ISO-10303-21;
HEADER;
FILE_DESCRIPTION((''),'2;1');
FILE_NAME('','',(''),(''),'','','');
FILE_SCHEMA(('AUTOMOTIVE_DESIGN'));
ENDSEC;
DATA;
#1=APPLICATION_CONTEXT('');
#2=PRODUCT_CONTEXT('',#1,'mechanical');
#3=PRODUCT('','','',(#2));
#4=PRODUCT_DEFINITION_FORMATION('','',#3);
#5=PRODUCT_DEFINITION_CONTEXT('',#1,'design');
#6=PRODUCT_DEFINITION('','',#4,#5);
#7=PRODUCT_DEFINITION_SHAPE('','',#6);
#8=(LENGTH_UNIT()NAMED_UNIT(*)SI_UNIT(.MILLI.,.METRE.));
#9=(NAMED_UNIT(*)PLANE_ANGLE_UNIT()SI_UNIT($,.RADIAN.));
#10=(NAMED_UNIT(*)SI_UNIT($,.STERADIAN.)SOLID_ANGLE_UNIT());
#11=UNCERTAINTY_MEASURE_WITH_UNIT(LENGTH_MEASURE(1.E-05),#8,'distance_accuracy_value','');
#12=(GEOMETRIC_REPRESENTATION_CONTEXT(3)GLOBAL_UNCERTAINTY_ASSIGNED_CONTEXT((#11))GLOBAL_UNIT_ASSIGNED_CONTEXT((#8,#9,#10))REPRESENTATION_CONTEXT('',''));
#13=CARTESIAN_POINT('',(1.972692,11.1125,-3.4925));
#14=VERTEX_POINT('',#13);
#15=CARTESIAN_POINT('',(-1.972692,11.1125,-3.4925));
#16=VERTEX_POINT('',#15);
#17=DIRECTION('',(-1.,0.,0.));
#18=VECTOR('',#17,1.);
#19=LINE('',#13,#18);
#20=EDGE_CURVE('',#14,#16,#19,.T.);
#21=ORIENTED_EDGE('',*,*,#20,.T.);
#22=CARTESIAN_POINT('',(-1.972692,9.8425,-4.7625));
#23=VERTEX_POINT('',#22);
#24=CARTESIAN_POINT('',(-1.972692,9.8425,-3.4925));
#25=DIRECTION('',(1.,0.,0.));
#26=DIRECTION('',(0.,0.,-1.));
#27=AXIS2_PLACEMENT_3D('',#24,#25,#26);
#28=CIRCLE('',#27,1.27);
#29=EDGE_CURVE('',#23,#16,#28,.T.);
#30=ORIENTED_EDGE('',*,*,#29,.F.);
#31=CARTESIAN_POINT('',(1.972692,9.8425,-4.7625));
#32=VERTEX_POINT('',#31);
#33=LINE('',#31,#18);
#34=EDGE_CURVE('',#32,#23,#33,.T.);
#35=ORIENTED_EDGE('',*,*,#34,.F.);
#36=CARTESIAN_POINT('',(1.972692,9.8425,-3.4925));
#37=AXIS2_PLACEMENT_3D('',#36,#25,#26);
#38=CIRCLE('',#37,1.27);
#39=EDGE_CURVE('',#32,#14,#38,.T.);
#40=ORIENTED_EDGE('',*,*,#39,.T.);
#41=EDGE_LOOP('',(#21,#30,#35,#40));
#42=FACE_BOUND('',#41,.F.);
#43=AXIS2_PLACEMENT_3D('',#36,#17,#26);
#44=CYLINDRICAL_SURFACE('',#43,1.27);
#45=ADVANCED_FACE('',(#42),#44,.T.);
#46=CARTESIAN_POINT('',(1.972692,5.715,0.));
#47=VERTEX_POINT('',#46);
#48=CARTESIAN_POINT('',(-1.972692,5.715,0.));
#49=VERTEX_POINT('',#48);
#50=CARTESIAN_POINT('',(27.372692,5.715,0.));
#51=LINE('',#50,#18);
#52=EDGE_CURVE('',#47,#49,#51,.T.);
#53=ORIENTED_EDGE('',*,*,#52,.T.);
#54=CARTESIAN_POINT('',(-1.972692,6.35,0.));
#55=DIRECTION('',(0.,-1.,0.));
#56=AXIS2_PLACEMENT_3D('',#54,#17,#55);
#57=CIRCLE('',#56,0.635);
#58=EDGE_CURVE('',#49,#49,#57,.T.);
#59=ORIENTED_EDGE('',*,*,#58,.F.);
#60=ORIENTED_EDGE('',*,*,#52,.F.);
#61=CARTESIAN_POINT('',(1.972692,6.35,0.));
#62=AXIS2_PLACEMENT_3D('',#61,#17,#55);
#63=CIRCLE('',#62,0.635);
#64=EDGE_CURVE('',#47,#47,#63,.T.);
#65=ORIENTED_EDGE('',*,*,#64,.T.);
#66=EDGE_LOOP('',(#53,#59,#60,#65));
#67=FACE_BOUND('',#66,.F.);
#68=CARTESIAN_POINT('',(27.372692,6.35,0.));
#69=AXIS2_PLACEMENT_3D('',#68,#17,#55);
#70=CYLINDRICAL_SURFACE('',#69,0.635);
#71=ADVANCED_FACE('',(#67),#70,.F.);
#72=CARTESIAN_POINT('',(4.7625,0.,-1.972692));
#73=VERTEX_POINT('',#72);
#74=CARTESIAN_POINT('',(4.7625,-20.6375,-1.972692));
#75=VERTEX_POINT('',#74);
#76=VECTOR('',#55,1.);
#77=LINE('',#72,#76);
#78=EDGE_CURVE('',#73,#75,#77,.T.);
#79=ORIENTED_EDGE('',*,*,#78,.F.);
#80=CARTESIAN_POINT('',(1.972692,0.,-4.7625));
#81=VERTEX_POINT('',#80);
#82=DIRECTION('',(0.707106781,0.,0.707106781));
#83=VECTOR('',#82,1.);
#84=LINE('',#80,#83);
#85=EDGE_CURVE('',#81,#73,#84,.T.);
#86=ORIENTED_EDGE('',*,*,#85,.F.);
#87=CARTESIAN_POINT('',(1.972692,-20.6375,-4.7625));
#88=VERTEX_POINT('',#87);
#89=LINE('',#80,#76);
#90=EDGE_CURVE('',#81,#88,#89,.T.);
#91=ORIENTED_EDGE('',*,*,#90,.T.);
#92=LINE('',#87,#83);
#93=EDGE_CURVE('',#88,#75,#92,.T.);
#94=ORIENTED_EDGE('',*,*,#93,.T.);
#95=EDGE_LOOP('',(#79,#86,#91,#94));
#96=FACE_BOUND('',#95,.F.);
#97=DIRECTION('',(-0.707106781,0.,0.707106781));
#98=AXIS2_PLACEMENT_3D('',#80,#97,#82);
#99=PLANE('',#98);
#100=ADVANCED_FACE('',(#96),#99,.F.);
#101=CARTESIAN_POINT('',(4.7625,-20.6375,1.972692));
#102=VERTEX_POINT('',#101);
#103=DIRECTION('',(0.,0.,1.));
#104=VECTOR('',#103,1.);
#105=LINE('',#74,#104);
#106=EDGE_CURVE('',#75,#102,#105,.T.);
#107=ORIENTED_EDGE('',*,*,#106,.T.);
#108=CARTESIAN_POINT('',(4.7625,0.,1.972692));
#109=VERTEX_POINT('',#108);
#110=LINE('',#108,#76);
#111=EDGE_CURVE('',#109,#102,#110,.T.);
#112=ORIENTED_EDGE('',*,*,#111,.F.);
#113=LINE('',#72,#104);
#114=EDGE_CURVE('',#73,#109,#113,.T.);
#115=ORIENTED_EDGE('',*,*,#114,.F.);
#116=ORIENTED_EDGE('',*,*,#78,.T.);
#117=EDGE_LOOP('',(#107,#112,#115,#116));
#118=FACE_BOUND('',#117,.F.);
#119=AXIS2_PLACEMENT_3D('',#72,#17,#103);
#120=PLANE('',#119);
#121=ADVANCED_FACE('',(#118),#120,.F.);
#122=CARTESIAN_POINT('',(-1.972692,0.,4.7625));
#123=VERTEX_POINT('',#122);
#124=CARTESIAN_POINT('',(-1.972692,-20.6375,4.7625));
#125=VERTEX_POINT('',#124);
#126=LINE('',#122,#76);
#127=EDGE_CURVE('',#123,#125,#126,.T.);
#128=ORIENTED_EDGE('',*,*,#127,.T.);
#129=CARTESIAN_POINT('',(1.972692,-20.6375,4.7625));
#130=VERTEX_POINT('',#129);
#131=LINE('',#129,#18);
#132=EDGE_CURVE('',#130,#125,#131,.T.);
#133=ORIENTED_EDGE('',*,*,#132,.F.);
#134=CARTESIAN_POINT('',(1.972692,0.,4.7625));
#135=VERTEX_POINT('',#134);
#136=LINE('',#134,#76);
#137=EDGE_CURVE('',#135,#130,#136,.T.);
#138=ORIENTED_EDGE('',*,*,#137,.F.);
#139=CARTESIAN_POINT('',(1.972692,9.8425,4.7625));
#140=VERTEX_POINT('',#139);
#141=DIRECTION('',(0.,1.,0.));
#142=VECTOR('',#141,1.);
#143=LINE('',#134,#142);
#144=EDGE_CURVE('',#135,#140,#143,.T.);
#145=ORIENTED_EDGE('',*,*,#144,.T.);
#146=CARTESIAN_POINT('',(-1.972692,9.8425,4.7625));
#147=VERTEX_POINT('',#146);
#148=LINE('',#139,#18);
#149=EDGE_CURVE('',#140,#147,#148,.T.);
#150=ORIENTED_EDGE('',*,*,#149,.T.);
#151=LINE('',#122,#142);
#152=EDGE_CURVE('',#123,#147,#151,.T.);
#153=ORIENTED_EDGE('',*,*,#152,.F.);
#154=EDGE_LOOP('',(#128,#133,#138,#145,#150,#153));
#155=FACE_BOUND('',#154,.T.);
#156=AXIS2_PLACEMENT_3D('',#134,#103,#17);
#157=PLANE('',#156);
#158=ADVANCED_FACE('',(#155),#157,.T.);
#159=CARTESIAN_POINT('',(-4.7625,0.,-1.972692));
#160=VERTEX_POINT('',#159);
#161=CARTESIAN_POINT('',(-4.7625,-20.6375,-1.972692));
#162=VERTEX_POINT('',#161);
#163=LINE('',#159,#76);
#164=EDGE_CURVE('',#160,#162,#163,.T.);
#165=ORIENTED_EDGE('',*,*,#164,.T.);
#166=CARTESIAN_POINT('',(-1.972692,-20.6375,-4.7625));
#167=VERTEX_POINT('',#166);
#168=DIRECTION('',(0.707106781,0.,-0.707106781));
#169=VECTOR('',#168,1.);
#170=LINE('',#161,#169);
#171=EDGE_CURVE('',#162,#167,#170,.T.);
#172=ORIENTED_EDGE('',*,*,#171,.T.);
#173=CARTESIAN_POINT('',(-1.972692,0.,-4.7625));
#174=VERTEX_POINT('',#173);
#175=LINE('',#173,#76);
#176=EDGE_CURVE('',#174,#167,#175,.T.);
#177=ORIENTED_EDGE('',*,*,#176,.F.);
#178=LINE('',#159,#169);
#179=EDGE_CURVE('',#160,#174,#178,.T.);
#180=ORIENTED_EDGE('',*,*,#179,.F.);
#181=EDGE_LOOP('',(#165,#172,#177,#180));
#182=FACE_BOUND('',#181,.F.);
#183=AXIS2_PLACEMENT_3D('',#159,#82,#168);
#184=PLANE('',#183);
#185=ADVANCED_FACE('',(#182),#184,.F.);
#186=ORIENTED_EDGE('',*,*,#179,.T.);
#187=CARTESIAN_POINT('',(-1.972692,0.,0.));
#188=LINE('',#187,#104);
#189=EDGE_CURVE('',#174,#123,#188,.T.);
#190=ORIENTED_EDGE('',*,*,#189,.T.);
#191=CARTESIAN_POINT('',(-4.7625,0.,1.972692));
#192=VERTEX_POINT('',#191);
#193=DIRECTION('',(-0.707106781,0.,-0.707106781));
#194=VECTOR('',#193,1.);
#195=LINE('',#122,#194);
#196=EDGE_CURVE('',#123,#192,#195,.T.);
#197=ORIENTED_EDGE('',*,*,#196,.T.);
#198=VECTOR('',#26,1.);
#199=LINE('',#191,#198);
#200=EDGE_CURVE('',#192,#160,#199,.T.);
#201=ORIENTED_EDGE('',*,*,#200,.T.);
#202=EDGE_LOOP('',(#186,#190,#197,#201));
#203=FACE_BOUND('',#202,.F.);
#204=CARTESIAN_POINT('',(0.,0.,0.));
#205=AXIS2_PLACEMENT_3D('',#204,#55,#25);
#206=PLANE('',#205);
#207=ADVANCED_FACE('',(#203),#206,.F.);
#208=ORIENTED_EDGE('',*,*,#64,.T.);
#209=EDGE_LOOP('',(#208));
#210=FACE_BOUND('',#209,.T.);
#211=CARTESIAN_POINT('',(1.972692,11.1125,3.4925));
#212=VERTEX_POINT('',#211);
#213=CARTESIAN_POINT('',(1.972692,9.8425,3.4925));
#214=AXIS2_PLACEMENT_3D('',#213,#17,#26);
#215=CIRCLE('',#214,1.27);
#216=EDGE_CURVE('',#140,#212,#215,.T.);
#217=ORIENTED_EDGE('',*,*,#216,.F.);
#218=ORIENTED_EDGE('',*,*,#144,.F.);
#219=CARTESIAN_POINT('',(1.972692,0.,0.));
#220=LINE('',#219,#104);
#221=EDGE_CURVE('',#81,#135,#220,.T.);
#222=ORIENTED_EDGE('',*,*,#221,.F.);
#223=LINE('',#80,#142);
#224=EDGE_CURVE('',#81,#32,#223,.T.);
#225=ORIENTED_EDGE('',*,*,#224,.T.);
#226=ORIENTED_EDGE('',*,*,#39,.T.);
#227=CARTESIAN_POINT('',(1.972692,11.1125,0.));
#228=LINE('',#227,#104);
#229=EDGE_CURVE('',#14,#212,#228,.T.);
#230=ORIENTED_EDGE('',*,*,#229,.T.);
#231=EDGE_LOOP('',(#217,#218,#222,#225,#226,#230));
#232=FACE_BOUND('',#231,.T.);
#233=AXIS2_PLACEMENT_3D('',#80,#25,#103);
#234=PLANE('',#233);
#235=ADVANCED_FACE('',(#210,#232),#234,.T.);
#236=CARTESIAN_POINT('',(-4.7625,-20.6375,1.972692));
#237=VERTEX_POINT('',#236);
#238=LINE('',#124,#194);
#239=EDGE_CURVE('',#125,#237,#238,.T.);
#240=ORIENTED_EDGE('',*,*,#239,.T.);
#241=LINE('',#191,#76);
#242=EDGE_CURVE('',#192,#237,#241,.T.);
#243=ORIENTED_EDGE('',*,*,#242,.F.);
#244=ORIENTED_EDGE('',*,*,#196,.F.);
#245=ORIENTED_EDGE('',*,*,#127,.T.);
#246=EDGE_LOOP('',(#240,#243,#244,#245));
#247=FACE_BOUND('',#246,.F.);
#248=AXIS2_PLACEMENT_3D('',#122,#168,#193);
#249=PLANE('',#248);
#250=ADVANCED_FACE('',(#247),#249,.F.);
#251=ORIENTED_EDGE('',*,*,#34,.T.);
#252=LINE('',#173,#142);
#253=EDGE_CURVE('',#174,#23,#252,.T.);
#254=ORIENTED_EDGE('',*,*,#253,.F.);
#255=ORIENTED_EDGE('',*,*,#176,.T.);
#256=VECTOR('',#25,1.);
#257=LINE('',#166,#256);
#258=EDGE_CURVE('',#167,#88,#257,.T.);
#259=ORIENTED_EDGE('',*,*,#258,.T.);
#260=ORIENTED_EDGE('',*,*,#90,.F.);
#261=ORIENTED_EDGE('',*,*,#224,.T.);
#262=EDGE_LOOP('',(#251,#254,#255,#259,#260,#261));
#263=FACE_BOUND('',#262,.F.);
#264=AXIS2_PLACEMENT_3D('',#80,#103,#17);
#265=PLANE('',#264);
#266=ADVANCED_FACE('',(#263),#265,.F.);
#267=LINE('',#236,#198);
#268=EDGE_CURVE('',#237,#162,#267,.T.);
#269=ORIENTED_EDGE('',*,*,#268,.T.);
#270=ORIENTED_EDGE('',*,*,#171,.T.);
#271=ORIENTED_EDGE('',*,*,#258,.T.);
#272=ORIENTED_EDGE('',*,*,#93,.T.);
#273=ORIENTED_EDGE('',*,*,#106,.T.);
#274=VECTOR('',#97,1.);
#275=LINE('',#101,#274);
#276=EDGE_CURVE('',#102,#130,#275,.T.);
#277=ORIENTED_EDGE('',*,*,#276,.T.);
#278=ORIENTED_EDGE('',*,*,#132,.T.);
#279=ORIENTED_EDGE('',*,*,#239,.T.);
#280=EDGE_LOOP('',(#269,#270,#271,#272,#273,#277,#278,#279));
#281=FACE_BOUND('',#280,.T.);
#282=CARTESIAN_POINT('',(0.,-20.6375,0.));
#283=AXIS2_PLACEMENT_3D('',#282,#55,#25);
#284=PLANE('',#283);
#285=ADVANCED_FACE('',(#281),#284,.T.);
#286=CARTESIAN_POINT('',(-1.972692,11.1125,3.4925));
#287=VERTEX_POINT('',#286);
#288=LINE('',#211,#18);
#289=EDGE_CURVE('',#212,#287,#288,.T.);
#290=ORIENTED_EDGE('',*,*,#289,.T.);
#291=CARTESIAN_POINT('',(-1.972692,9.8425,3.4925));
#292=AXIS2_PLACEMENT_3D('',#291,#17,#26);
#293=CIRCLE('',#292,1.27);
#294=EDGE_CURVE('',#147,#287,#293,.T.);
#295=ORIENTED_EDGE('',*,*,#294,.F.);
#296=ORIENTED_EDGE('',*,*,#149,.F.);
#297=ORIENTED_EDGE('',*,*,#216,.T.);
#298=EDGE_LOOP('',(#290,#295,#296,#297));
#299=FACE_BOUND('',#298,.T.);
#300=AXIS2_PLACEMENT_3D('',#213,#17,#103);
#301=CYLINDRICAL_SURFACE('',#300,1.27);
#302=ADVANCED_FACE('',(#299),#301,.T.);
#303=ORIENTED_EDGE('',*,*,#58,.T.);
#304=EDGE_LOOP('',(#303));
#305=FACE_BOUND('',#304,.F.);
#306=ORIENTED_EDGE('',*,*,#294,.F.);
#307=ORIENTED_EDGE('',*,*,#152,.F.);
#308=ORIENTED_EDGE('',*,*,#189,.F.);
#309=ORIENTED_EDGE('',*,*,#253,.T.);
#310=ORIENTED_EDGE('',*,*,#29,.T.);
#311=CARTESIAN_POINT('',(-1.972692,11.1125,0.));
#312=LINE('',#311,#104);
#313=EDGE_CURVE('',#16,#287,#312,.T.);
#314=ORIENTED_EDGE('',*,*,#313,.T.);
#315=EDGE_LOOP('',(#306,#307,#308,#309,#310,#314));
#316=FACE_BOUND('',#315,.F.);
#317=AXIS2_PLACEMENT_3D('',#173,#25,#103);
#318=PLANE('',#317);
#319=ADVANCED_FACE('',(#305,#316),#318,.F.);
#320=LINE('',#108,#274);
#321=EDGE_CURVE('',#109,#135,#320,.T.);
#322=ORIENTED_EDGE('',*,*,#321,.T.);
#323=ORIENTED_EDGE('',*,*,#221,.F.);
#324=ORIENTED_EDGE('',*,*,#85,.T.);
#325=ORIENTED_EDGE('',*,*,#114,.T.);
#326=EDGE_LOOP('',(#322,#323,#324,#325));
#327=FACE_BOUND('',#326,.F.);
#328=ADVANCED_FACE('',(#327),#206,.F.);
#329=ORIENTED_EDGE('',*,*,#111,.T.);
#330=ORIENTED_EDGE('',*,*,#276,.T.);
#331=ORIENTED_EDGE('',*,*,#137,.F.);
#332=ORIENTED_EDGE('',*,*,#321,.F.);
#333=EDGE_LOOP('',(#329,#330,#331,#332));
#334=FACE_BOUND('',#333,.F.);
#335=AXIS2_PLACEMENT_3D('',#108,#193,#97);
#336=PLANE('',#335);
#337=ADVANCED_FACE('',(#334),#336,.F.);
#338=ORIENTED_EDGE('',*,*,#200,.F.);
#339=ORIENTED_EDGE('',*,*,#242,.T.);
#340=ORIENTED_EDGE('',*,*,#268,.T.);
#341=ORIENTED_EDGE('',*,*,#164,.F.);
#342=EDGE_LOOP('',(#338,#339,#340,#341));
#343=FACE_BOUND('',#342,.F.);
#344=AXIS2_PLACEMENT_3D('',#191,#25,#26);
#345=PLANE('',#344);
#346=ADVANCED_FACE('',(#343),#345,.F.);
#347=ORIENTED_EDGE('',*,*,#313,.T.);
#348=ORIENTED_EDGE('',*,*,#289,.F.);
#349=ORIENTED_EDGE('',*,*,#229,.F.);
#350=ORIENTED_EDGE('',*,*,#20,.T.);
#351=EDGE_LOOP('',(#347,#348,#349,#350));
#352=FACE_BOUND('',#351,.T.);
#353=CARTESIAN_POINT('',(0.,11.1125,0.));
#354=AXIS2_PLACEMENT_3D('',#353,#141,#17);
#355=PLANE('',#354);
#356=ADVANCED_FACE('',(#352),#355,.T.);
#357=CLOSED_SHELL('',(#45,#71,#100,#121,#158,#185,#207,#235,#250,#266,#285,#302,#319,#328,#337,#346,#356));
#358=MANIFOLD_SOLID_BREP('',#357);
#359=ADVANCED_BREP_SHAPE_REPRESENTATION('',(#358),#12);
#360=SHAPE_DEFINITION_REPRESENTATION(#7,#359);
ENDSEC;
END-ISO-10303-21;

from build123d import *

# Parameters (mm, degrees)
F1_DEPTH = 20.6375
F2_W     = 3.945384
F2_H     = 9.525
F3_DEPTH = 11.1125
F4_R     = 1.27
F6_D     = 1.27
F6_DEPTH = 25.4


with BuildPart() as f1:
    # F0 (on Front) → F1 (new body)
    with BuildSketch(Plane.XZ):
        Polygon((1.972692, 4.7625), (-1.972692, 4.7625), (-4.7625, 1.972692), (-4.7625, -1.972692), (-1.972692, -4.7625), (1.972692, -4.7625), (4.7625, -1.972692), (4.7625, 1.972692), align=None)
    extrude(amount=F1_DEPTH)

    # F2 (on face) → F3 (join)
    with BuildSketch(Plane(origin=(0, 0, 0), x_dir=(-1, 0, 0), z_dir=(0, 1, 0))):
        Rectangle(F2_W, F2_H)
    extrude(amount=F3_DEPTH)

    # F4
    f4_edges = [f1.edges().sort_by_distance(p)[0] for p in [
        (0, 11.1125, 4.7625),
        (0, 11.1125, -4.7625),
    ]]
    fillet(f4_edges, radius=F4_R)

    # F6
    with Locations(Plane.YZ.offset(1.972692)):
        with Locations((6.35, 0)):
            Hole(F6_D / 2, depth=F6_DEPTH)


solid = f1.part
